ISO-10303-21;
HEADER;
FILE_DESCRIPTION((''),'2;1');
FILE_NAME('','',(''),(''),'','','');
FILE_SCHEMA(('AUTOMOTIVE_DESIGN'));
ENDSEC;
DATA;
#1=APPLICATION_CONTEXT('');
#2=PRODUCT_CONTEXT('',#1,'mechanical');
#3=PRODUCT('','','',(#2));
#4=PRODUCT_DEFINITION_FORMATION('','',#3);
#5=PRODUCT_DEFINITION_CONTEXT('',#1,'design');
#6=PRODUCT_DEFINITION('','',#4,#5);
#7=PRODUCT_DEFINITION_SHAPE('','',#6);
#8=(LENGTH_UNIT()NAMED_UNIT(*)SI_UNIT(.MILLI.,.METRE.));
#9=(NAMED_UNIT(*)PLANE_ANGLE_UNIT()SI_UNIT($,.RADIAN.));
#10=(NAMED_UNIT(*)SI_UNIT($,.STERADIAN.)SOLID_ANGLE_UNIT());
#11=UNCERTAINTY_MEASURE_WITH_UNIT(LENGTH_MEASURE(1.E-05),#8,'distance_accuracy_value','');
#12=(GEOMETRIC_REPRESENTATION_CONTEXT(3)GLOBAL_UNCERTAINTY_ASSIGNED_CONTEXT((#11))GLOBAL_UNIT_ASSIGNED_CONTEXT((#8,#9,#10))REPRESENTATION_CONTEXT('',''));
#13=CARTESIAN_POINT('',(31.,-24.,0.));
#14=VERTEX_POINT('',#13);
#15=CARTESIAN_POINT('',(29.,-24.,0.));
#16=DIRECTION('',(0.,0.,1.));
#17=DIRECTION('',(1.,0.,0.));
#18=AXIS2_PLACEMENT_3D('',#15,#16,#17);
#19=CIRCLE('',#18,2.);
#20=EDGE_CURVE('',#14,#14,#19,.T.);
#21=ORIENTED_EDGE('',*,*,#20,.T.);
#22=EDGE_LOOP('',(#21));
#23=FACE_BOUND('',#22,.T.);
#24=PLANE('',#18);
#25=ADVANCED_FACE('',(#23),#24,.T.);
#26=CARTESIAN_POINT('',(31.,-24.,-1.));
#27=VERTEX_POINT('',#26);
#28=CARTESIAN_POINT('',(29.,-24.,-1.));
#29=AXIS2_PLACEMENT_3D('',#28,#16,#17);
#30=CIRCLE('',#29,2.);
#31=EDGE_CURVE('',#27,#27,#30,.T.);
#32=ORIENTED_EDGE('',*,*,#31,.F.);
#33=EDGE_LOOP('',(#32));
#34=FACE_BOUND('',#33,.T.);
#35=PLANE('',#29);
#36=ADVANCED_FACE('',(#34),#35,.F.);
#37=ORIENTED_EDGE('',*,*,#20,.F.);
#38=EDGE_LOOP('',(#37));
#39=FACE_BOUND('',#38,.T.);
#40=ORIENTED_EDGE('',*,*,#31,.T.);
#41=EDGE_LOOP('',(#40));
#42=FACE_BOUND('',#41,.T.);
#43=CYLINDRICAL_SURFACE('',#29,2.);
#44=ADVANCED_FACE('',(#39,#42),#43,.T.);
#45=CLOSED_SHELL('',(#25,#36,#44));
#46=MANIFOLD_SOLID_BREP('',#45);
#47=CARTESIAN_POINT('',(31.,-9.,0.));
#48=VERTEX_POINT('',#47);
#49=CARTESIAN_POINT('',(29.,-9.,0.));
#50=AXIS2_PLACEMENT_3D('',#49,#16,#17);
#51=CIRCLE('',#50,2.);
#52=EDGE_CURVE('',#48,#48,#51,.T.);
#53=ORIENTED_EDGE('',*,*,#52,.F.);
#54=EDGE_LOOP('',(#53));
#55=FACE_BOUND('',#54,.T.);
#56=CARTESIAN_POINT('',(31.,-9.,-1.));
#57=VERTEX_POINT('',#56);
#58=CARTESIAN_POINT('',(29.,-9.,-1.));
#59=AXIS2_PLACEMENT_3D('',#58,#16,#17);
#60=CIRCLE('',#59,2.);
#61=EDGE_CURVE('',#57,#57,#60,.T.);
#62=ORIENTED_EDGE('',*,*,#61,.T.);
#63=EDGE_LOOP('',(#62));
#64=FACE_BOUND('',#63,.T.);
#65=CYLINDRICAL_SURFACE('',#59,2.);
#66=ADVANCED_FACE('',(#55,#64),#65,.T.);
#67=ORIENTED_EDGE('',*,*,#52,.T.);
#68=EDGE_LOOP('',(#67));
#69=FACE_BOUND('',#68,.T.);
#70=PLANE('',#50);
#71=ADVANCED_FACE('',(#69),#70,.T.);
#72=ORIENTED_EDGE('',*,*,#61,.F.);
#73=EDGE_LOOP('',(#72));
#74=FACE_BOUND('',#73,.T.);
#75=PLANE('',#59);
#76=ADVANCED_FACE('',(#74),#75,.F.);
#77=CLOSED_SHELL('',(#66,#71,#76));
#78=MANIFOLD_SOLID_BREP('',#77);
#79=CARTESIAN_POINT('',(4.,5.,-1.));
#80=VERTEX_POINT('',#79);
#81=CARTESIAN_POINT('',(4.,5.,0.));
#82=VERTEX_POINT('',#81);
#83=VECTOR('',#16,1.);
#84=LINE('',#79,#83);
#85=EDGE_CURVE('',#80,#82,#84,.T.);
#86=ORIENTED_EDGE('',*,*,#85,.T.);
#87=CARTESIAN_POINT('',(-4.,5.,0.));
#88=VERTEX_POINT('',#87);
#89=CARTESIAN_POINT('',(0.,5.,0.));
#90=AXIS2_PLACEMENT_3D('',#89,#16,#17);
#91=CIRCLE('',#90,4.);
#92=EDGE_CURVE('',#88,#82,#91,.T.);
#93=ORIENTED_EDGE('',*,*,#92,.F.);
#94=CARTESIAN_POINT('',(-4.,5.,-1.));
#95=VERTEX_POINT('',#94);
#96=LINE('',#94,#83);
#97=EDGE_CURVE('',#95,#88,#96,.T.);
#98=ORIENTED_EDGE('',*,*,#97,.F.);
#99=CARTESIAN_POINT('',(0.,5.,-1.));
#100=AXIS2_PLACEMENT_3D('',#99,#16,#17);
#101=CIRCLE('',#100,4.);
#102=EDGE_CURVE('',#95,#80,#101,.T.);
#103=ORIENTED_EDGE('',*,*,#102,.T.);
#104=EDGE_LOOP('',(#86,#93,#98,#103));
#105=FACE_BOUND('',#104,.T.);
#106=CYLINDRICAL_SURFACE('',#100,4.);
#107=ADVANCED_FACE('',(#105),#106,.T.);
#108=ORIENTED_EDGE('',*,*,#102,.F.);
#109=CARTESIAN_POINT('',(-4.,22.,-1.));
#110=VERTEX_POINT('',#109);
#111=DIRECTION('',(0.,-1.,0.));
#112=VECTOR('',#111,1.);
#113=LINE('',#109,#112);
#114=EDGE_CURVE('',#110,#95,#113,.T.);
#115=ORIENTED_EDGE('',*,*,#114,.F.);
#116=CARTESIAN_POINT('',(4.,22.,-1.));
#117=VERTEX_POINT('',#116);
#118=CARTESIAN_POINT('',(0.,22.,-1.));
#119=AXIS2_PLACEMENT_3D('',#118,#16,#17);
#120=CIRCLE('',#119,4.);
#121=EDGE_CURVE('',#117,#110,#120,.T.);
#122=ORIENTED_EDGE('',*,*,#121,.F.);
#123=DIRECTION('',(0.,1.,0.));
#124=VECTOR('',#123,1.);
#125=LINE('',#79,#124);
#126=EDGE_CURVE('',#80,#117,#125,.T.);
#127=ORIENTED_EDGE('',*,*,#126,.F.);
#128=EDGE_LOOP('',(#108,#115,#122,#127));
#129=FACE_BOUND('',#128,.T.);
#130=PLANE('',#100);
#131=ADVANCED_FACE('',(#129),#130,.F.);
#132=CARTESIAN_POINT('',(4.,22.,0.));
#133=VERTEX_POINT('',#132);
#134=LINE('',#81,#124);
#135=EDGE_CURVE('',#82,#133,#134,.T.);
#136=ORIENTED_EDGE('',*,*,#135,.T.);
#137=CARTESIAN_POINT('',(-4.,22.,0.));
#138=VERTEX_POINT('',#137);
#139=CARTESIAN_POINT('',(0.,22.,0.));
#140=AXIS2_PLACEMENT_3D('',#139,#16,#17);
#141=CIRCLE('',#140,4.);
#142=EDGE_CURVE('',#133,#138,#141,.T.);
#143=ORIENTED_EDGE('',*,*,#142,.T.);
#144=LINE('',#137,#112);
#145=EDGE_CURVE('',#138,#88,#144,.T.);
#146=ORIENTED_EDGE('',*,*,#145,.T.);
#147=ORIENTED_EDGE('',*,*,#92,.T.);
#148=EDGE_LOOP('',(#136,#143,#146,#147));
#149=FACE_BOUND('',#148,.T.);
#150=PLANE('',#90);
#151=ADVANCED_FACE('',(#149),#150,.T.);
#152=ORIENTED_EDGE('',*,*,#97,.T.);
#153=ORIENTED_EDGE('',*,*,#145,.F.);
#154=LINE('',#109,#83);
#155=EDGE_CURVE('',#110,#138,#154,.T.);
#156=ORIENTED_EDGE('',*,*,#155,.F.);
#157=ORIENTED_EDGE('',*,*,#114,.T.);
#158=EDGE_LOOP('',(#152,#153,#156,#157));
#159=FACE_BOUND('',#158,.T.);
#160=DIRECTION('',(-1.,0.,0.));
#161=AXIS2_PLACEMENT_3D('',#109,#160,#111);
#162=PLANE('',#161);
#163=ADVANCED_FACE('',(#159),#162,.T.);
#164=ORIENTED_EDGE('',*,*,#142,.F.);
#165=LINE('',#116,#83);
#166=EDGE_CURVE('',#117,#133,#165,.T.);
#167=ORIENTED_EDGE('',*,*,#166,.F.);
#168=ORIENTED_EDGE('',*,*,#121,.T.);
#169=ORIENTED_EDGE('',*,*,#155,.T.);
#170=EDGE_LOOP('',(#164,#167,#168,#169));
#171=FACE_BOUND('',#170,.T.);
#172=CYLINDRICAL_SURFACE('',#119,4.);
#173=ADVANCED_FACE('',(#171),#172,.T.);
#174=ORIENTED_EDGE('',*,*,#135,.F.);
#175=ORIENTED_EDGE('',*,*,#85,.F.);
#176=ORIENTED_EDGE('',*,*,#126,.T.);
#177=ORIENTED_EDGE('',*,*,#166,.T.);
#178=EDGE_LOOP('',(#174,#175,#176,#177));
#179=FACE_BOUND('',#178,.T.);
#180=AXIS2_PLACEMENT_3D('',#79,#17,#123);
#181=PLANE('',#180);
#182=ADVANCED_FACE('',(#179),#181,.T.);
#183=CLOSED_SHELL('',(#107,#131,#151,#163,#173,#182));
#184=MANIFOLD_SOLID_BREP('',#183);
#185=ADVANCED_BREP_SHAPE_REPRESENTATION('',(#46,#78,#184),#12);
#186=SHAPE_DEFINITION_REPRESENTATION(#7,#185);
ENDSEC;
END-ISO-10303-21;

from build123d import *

# Parameters (mm, degrees)
SKETCH1_R             = 2
BOSS_EXTRUDE1_DEPTH   = 1
BOSS_EXTRUDE1_2_DEPTH = 1
BOSS_EXTRUDE1_3_DEPTH = 1


with BuildPart() as part:
    # Sketch1 → Boss-Extrude1 (new body)
    with BuildSketch(Plane.XY):
        with Locations((29, -24)):
            Circle(SKETCH1_R)
    extrude(amount=-BOSS_EXTRUDE1_DEPTH)


with BuildPart() as body_2:
    # Sketch1 → Boss-Extrude1 2 (new body)
    with BuildSketch(Plane.XY):
        with Locations((29, -9)):
            Circle(SKETCH1_R)
    extrude(amount=-BOSS_EXTRUDE1_2_DEPTH)


with BuildPart() as body_3:
    # Sketch1 → Boss-Extrude1 3 (new body)
    with BuildSketch(Plane.XY):
        with BuildLine():
            Line((4, 5), (4, 22))
            ThreePointArc((4, 22), (0, 26), (-4, 22))
            Line((-4, 22), (-4, 5))
            ThreePointArc((-4, 5), (0, 1), (4, 5))
        make_face()
    extrude(amount=-BOSS_EXTRUDE1_3_DEPTH)


solid = Compound([part.part, body_2.part, body_3.part])
